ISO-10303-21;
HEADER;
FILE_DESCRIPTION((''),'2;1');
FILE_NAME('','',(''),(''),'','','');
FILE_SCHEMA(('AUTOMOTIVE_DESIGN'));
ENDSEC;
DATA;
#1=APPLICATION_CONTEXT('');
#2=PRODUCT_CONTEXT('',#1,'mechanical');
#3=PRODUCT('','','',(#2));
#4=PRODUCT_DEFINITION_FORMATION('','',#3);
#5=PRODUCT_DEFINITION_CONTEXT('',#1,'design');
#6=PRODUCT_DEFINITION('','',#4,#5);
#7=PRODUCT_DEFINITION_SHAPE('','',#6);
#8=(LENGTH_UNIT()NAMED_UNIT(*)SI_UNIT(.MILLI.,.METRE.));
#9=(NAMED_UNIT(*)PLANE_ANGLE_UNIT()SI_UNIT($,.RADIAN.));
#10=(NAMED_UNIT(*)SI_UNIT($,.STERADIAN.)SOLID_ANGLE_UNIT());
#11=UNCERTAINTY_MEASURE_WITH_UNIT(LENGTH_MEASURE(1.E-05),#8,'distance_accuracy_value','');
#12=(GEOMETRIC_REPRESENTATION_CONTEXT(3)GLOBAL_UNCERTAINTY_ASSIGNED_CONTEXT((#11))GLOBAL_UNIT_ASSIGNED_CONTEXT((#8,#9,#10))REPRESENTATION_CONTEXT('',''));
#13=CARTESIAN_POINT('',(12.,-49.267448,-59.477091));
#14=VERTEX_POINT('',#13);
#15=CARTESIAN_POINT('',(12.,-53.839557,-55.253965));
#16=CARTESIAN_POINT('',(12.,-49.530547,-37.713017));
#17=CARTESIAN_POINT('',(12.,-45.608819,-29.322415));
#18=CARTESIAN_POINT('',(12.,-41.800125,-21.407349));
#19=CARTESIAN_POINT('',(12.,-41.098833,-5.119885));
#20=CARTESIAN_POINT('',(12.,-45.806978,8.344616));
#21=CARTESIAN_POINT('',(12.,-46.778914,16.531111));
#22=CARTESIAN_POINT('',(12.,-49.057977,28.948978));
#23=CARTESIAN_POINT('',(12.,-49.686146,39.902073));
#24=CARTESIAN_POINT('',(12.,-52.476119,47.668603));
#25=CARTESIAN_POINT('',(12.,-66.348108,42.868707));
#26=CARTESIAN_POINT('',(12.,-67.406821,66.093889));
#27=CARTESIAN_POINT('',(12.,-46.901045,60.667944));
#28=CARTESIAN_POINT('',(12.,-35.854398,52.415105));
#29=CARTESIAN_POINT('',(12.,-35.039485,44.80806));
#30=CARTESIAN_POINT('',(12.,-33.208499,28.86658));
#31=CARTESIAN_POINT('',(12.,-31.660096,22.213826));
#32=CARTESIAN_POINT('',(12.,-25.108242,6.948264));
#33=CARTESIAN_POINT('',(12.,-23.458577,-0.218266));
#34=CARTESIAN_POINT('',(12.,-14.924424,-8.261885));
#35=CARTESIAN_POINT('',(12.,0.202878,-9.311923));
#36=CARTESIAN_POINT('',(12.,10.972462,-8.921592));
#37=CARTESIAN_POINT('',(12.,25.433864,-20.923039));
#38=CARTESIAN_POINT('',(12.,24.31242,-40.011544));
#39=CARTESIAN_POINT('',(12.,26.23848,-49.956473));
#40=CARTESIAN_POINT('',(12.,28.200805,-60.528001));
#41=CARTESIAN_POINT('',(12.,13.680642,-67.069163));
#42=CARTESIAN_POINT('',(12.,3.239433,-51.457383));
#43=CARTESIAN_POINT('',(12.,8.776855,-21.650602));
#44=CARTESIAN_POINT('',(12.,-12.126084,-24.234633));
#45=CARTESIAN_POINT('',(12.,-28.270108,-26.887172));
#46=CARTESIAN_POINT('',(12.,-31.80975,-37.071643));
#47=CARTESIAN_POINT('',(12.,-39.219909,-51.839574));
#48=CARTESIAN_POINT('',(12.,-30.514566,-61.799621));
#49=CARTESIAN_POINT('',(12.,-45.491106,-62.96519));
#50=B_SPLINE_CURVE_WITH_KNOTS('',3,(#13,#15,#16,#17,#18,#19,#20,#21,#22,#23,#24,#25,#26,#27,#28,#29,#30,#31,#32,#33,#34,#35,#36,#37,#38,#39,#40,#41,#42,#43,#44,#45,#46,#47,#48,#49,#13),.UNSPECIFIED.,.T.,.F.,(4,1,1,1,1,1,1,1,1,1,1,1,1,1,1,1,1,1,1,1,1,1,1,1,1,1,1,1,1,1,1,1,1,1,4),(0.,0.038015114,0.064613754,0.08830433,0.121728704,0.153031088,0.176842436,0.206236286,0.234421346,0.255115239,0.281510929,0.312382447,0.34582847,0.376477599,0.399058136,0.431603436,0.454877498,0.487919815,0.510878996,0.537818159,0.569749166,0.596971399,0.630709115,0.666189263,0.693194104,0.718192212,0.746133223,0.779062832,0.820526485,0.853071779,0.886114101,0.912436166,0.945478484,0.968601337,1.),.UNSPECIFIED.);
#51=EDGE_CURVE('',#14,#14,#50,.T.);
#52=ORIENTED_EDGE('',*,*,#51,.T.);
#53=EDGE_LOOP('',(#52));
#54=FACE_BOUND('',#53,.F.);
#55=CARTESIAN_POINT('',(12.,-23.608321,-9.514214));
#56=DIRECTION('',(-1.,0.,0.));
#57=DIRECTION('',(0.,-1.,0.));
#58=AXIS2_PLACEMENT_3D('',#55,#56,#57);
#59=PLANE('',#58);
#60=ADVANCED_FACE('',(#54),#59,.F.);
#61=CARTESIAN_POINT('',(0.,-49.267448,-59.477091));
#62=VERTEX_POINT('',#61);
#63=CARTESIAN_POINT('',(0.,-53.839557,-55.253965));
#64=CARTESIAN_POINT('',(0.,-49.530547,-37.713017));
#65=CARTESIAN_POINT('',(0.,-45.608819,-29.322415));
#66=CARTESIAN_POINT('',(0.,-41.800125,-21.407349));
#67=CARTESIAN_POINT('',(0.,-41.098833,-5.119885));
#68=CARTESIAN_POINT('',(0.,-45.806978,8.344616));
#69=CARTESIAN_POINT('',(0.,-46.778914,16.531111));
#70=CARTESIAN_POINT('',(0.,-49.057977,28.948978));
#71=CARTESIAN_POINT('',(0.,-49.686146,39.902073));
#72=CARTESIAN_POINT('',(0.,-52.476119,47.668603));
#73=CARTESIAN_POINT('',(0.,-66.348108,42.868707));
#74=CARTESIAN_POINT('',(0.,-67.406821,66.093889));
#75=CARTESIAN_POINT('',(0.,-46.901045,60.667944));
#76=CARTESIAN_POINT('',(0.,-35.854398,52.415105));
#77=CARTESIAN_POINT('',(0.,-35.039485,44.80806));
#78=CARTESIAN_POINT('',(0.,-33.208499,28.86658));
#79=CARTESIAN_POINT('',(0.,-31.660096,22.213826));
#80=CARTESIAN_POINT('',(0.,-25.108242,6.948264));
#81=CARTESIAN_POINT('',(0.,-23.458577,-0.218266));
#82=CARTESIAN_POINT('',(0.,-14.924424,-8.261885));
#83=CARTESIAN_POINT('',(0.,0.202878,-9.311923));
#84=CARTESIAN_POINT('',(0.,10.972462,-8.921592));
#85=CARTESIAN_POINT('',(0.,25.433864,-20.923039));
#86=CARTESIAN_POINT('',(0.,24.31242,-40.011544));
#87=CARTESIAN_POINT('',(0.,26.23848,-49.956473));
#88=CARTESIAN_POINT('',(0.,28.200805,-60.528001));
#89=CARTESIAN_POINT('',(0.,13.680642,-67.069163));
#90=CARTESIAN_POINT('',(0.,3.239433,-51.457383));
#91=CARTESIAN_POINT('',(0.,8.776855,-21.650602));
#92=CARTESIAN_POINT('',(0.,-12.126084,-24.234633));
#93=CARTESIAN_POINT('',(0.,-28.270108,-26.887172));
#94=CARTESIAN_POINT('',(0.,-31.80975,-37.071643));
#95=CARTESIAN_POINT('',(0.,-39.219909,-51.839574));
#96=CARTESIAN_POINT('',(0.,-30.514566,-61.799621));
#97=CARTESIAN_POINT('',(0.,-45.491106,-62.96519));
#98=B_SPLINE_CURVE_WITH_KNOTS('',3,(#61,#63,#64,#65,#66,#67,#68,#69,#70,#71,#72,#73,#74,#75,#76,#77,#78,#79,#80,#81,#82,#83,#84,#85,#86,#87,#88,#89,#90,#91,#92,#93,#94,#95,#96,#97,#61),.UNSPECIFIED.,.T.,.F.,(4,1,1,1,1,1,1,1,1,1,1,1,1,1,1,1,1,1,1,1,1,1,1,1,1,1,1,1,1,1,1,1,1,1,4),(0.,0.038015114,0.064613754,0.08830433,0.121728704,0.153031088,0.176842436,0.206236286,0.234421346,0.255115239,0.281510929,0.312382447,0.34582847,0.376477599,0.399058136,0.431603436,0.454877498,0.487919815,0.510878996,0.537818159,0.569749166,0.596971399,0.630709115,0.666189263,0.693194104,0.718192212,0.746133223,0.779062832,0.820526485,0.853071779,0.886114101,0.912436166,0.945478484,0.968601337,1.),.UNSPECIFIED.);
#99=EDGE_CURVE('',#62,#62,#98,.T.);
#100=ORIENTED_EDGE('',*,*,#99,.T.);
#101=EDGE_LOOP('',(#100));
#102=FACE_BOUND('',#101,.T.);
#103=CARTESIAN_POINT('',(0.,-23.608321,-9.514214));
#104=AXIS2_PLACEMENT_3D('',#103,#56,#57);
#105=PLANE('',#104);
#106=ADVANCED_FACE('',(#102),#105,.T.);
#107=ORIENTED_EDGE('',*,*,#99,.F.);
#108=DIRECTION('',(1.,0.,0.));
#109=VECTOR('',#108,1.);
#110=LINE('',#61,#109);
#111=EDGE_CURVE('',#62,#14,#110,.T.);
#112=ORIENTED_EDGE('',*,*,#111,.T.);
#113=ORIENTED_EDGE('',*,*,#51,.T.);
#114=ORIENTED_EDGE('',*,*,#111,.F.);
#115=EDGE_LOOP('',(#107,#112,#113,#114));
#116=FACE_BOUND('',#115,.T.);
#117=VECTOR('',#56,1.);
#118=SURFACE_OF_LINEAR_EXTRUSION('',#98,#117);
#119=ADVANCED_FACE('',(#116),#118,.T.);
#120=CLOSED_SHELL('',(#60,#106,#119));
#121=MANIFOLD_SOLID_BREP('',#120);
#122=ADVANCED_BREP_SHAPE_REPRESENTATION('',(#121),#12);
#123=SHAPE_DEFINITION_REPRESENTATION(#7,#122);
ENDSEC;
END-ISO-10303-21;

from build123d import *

# Parameters (mm, degrees)
F1_DEPTH = 12


with BuildPart() as f1:
    # F0 (on Right) → F1 (new body)
    with BuildSketch(Plane.YZ):
        with BuildLine():
            add(Edge.make_bspline(
                [(-49.2674484849, -59.4770908356), (-53.8395570668, -55.2539653676), (-49.5305466951, -37.7130174687), (-45.6088189593, -29.3224152069), (-41.8001252354, -21.4073493894), (-41.0988329317, -5.1198852514), (-45.806977606, 8.3446156011), (-46.7789135712, 16.5311108182), (-49.057977222, 28.9489777371), (-49.6861457422, 39.9020734911), (-52.4761191068, 47.6686027457), (-66.3481075151, 42.8687073667), (-67.4068206917, 66.0938886854), (-46.9010449418, 60.6679439858), (-35.8543980518, 52.4151047538), (-35.0394851717, 44.8080599824), (-33.2084985593, 28.8665804134), (-31.6600963601, 22.2138262547), (-25.108241644, 6.9482637155), (-23.4585766358, -0.2182661641), (-14.9244238384, -8.2618848933), (0.2028782292, -9.311923111), (10.9724615969, -8.9215923654), (25.4338639371, -20.9230394796), (24.3124195535, -40.0115439766), (26.2384796081, -49.9564734087), (28.2008050093, -60.5280006459), (13.6806418258, -67.0691626279), (3.2394327297, -51.4573832276), (8.7768546519, -21.6506016883), (-12.126083634, -24.2346333438), (-28.2701075126, -26.8871719907), (-31.8097497701, -37.0716426733), (-39.2199091194, -51.8395741053), (-30.5145662558, -61.7996211582), (-45.4911058665, -62.9651901232), (-49.2674484849, -59.4770908356)],
                knots=[0, 0, 0, 0, 0.0380151139, 0.0646137541, 0.0883043304, 0.1217287042, 0.1530310876, 0.1768424355, 0.2062362861, 0.2344213461, 0.2551152394, 0.2815109291, 0.3123824471, 0.3458284697, 0.3764775994, 0.3990581359, 0.4316034357, 0.4548774985, 0.487919815, 0.5108789957, 0.5378181592, 0.5697491657, 0.596971399, 0.630709115, 0.6661892628, 0.693194104, 0.7181922119, 0.7461332228, 0.7790628321, 0.8205264855, 0.8530717792, 0.8861141009, 0.9124361663, 0.9454784843, 0.9686013374, 1, 1, 1, 1], degree=3))
        make_face()
    extrude(amount=F1_DEPTH)


solid = f1.part
